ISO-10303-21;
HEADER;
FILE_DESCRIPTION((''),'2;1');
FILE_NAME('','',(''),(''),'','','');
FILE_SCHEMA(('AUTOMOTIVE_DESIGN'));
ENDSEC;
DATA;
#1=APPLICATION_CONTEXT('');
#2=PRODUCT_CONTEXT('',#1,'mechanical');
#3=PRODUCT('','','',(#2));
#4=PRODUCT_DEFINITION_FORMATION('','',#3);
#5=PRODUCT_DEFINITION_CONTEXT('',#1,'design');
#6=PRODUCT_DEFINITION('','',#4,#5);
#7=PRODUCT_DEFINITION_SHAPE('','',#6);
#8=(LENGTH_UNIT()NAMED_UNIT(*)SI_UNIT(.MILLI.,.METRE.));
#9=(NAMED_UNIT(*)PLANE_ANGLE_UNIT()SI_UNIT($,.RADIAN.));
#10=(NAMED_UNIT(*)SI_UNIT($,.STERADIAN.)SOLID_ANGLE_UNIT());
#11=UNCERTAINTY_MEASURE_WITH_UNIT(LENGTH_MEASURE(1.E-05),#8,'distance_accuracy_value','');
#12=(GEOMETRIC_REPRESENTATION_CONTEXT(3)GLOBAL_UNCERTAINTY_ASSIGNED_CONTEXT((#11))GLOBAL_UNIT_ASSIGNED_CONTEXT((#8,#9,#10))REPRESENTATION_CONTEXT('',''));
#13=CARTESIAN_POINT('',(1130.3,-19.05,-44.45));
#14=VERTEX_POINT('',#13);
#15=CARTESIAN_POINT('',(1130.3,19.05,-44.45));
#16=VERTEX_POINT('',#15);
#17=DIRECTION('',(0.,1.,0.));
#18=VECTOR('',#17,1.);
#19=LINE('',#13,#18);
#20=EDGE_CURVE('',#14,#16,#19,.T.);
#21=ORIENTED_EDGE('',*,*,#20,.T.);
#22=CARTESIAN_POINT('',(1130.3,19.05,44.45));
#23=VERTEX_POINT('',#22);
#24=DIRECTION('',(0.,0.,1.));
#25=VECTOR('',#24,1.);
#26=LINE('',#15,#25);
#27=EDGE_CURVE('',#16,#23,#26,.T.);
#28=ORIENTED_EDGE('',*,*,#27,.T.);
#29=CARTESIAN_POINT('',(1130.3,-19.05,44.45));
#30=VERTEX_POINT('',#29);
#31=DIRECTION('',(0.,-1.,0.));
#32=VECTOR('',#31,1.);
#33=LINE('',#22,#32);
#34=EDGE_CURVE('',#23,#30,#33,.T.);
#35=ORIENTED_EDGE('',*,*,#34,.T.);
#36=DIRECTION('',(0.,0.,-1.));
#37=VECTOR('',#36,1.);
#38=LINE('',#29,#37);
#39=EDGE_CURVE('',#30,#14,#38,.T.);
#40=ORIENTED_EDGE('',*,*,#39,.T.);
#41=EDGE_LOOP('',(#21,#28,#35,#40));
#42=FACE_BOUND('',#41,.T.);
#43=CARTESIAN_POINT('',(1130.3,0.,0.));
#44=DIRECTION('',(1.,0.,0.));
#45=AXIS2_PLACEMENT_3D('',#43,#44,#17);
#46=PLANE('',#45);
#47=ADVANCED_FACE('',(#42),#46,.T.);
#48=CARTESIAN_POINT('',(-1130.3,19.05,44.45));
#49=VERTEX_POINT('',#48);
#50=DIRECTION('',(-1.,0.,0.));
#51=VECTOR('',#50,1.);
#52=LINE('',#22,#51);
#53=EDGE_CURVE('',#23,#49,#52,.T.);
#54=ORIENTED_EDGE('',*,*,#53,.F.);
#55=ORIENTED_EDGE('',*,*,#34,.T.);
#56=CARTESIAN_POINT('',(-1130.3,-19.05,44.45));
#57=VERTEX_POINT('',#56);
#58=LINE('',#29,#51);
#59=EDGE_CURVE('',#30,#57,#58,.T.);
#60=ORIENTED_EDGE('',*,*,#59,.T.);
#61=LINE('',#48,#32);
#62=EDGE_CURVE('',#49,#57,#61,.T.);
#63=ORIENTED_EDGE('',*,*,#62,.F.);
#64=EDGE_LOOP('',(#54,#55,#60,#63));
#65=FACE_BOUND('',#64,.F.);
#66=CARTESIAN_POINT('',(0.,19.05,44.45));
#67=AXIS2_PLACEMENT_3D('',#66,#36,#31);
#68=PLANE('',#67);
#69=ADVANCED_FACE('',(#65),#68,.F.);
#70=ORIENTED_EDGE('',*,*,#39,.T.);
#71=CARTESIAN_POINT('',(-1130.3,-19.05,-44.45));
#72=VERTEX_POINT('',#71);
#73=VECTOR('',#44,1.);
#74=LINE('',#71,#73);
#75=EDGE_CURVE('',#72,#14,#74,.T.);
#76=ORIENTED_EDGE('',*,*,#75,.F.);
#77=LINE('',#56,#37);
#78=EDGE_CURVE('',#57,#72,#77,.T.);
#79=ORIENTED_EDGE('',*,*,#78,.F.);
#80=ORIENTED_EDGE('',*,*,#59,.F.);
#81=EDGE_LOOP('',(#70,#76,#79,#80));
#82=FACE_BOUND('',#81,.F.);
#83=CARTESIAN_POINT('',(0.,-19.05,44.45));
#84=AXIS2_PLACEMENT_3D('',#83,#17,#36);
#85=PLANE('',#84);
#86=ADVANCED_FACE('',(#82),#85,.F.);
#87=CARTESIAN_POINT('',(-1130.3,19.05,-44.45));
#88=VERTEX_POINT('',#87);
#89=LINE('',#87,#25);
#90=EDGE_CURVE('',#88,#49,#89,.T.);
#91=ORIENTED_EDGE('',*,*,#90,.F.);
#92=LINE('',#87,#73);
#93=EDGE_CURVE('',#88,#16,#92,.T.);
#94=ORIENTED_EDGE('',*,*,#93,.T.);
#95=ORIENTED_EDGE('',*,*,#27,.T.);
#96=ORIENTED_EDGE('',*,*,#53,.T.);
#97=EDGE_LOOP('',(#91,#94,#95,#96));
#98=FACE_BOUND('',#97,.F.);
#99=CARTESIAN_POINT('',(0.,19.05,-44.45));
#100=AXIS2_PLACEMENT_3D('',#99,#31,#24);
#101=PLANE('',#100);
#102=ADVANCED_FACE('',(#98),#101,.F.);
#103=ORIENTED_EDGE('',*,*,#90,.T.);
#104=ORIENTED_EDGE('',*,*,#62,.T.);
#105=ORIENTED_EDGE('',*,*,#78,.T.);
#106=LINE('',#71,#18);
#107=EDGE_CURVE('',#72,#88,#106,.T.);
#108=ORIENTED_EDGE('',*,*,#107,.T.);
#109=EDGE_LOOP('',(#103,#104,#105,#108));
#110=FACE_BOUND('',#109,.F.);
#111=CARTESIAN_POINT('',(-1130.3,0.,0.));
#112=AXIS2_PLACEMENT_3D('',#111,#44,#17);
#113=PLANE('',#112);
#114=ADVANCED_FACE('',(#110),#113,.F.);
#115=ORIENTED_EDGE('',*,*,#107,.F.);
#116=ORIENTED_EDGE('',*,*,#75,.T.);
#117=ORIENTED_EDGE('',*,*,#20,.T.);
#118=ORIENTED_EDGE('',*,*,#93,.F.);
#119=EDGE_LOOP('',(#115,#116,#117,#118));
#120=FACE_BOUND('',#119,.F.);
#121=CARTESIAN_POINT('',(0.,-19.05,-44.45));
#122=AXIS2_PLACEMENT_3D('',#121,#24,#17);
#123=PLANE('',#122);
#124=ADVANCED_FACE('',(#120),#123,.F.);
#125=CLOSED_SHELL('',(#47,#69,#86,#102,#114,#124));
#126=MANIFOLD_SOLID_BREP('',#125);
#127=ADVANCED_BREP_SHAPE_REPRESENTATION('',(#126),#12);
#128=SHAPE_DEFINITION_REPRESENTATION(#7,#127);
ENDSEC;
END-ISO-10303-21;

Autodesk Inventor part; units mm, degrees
ref_plane "YZ Plane" through (0, 0, 0) normal (1, 0, 0) x (0, 1, 0)
ref_plane "XZ Plane" through (0, 0, 0) normal (0, 1, 0) x (-1, 0, 0)
ref_plane "XY Plane" through (0, 0, 0) normal (0, 0, 1) x (1, 0, 0)
sketch "Sketch1" plane through (0, 0, 0) normal (1, 0, 0) x (0, 1, 0)
  line L0 (-19.05, -44.45) -> (19.05, -44.45)
  line L1 (19.05, -44.45) -> (19.05, 44.45)
  line L2 (19.05, 44.45) -> (-19.05, 44.45)
  line L3 (-19.05, 44.45) -> (-19.05, -44.45)
  line L4 (-19.05, -44.45) -> (19.05, 44.45) construction
  line L5 (19.05, -44.45) -> (-19.05, 44.45) construction
  point P0 (0, 0)
  dimension "d0" = 88.9
  dimension "d1" = 38.1
extrude "Extrusion1" add sketch "Sketch1" along normal mid plane 2260.6
properties part number "7'5x2x4"
